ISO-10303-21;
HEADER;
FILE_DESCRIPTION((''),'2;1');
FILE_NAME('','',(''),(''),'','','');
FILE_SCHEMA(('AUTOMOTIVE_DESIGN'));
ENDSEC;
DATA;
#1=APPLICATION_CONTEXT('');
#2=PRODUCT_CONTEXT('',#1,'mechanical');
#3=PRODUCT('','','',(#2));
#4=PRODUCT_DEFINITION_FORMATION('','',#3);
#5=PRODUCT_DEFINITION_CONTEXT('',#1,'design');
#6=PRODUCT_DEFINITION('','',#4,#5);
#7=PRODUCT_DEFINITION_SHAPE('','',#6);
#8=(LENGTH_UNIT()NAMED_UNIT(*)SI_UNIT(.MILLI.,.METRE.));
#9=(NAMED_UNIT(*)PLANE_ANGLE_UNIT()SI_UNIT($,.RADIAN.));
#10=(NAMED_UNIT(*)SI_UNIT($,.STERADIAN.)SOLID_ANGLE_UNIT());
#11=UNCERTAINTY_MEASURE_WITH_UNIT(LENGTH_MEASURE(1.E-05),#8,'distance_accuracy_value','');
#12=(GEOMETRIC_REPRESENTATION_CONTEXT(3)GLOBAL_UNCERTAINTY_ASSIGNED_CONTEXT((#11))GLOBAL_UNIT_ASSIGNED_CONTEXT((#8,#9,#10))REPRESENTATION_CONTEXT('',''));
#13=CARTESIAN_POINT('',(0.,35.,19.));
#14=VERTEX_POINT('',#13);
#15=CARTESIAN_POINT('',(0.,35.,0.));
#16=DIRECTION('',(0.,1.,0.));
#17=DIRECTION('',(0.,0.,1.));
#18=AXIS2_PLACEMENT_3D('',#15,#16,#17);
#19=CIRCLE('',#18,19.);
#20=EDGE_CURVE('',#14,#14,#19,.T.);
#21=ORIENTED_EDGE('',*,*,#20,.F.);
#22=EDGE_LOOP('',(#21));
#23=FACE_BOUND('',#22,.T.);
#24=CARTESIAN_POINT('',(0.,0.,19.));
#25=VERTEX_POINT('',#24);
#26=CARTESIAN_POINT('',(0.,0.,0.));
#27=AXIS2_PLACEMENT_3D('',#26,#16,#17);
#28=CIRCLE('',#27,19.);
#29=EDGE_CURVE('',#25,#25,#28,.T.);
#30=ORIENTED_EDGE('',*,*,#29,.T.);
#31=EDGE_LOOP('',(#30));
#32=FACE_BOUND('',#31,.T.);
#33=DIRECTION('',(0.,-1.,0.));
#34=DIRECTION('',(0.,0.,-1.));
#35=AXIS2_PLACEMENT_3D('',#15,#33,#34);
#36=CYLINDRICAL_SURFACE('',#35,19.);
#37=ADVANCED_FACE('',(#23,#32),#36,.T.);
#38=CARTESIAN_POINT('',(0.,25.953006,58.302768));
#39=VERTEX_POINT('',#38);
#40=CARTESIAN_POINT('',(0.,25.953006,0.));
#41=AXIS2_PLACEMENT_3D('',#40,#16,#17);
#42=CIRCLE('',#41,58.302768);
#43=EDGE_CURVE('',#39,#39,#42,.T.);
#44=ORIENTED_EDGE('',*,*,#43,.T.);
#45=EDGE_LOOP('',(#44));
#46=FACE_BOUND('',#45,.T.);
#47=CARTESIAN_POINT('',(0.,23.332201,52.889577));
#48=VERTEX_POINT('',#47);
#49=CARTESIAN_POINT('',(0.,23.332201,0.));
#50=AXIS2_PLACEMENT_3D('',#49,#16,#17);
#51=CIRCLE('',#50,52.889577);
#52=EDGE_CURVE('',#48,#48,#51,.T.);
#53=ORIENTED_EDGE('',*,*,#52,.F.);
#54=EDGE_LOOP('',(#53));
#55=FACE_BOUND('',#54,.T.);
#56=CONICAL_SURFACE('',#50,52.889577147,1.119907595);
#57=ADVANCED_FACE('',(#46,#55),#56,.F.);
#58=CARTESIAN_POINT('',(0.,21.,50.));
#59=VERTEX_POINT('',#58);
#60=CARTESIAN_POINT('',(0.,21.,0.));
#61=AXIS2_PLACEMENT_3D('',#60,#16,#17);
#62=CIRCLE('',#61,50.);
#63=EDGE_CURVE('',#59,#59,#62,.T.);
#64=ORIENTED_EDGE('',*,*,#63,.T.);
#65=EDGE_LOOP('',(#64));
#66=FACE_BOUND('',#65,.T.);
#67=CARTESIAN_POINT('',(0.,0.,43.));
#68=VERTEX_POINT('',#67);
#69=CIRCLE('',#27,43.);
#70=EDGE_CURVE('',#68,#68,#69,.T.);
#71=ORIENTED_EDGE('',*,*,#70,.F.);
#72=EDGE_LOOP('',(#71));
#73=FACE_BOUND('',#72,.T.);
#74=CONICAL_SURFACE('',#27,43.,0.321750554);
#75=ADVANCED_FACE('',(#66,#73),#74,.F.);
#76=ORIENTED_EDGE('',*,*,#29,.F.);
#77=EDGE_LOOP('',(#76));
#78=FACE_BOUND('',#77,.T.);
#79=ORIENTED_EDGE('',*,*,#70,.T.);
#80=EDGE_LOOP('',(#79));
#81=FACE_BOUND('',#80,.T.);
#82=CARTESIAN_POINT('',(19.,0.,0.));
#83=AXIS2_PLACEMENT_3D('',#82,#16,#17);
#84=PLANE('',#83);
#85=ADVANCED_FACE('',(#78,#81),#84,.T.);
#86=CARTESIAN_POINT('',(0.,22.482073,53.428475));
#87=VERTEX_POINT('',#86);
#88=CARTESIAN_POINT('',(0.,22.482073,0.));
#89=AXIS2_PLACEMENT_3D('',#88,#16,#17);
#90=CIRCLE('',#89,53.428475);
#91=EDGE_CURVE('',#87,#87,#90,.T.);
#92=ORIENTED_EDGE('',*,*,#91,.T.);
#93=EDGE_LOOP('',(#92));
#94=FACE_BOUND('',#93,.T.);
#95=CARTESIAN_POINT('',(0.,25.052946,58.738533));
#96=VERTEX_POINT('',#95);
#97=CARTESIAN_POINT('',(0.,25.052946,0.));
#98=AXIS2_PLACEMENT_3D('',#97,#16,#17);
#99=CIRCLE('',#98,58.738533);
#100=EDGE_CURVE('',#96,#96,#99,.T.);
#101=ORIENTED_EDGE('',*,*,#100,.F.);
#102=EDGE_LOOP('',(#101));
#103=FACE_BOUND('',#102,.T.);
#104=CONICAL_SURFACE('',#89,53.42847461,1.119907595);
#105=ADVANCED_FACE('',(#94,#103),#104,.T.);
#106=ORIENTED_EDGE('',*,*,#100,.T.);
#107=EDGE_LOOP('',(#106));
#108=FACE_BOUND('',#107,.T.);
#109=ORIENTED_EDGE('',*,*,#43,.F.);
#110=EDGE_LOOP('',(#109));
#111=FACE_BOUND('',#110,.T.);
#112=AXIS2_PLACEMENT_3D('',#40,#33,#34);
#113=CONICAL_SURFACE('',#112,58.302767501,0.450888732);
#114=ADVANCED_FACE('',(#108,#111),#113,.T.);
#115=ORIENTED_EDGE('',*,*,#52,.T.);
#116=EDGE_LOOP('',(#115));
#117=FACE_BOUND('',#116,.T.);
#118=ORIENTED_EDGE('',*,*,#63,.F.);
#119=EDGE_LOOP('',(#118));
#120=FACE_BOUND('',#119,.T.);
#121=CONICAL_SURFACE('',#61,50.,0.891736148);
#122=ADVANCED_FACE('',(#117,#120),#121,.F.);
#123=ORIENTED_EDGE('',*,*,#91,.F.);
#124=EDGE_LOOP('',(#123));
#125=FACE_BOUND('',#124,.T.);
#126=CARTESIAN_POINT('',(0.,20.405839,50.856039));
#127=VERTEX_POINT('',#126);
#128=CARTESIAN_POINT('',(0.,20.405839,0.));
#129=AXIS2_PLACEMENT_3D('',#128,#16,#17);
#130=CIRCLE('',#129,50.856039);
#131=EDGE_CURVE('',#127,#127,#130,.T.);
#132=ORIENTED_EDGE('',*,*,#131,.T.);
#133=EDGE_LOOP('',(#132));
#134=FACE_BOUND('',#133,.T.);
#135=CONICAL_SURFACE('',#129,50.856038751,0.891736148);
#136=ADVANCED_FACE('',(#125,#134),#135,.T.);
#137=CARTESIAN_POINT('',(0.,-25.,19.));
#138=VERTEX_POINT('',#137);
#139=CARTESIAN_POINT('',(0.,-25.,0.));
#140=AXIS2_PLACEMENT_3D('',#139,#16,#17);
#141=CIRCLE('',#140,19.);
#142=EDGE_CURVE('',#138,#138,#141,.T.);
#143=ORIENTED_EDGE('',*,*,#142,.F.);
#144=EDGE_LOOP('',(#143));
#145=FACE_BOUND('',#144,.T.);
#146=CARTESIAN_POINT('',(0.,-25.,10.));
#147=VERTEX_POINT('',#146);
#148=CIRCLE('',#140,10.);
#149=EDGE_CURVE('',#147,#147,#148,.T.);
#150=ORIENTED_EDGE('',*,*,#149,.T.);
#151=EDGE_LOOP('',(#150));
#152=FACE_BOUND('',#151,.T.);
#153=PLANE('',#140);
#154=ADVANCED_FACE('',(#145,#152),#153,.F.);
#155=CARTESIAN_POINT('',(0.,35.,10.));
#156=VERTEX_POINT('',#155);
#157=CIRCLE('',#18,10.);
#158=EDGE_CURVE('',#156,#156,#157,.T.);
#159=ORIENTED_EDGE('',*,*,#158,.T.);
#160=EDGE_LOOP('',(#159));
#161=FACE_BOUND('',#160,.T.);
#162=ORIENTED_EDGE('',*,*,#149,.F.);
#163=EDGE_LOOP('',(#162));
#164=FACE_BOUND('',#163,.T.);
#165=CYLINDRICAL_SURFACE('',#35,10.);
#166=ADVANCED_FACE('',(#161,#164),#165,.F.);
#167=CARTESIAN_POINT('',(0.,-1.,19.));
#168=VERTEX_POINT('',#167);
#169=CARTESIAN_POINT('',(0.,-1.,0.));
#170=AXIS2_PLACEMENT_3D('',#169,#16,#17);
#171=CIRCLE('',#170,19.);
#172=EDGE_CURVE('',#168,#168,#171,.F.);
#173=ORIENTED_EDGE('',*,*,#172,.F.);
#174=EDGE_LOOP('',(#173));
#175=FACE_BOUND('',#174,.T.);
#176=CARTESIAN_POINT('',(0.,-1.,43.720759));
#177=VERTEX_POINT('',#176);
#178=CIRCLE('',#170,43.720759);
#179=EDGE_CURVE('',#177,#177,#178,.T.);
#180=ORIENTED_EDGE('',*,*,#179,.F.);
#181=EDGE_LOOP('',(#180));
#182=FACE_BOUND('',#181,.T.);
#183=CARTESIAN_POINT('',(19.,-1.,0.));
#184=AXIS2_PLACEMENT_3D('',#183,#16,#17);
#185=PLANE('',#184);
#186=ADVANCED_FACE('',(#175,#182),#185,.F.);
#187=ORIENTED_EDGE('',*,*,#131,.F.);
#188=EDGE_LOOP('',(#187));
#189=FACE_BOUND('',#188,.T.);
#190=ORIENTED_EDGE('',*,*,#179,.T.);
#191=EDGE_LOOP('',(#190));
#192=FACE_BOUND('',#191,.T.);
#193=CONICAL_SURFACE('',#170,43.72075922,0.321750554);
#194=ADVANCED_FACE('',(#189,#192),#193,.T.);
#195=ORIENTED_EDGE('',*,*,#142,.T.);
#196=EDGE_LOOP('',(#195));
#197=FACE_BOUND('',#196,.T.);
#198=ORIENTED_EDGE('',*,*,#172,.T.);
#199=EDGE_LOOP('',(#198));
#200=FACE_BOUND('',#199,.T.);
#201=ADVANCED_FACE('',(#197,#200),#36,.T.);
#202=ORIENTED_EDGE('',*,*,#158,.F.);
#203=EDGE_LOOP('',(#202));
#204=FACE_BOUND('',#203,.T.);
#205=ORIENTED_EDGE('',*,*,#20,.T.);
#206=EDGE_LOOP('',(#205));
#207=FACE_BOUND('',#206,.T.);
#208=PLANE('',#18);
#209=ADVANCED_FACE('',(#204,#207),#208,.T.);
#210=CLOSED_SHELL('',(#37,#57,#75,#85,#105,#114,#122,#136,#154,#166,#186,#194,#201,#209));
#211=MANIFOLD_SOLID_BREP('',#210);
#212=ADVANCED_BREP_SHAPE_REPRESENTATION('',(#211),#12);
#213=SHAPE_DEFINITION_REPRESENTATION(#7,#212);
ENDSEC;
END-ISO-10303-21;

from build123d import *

# Parameters (mm, degrees)
EXTRUDE_10_DEPTH      = 35
EXTRUDE_10_DEPTH_BACK = 25
SKETCH_3_R            = 19
SKETCH_3_R_2          = 10


with BuildPart() as part:
    # Эскиз1 → Повернуть-Тонкостенный1 (revolve)
    with BuildSketch(Plane.XY, mode=Mode.PRIVATE) as revolve_1_sk:
        Polygon((19, 0), (43, 0), (50, 21), (52.889577147, 23.332201276), (58.302767501, 25.953006302), (58.738533119, 25.052946123), (53.42847461, 22.482072549), (50.856038751, 20.405838593), (43.72075922, -1), (19, -1), align=None)
    revolve(revolve_1_sk.sketch.rotate(Axis((0, 0, 0), (0, -1, 0)), 90), axis=Axis((0, 0, 0), (0, -1, 0)))

    # Эскиз3 → Вытянуть10 (add, two sides: drawn at the far end of the back side and taken through both)
    with BuildSketch(Plane(origin=(0, 0, 0), x_dir=(1, 0, 0), z_dir=(0, 1, 0)).offset(-EXTRUDE_10_DEPTH_BACK)):
        with Locations(Location((0, 0, 0), (0, 0, 270))):
            Circle(SKETCH_3_R)
        with Locations(Location((0, 0, 0), (0, 0, 270))):
            Circle(SKETCH_3_R_2, mode=Mode.SUBTRACT)
    extrude(amount=EXTRUDE_10_DEPTH + EXTRUDE_10_DEPTH_BACK)


solid = part.part
